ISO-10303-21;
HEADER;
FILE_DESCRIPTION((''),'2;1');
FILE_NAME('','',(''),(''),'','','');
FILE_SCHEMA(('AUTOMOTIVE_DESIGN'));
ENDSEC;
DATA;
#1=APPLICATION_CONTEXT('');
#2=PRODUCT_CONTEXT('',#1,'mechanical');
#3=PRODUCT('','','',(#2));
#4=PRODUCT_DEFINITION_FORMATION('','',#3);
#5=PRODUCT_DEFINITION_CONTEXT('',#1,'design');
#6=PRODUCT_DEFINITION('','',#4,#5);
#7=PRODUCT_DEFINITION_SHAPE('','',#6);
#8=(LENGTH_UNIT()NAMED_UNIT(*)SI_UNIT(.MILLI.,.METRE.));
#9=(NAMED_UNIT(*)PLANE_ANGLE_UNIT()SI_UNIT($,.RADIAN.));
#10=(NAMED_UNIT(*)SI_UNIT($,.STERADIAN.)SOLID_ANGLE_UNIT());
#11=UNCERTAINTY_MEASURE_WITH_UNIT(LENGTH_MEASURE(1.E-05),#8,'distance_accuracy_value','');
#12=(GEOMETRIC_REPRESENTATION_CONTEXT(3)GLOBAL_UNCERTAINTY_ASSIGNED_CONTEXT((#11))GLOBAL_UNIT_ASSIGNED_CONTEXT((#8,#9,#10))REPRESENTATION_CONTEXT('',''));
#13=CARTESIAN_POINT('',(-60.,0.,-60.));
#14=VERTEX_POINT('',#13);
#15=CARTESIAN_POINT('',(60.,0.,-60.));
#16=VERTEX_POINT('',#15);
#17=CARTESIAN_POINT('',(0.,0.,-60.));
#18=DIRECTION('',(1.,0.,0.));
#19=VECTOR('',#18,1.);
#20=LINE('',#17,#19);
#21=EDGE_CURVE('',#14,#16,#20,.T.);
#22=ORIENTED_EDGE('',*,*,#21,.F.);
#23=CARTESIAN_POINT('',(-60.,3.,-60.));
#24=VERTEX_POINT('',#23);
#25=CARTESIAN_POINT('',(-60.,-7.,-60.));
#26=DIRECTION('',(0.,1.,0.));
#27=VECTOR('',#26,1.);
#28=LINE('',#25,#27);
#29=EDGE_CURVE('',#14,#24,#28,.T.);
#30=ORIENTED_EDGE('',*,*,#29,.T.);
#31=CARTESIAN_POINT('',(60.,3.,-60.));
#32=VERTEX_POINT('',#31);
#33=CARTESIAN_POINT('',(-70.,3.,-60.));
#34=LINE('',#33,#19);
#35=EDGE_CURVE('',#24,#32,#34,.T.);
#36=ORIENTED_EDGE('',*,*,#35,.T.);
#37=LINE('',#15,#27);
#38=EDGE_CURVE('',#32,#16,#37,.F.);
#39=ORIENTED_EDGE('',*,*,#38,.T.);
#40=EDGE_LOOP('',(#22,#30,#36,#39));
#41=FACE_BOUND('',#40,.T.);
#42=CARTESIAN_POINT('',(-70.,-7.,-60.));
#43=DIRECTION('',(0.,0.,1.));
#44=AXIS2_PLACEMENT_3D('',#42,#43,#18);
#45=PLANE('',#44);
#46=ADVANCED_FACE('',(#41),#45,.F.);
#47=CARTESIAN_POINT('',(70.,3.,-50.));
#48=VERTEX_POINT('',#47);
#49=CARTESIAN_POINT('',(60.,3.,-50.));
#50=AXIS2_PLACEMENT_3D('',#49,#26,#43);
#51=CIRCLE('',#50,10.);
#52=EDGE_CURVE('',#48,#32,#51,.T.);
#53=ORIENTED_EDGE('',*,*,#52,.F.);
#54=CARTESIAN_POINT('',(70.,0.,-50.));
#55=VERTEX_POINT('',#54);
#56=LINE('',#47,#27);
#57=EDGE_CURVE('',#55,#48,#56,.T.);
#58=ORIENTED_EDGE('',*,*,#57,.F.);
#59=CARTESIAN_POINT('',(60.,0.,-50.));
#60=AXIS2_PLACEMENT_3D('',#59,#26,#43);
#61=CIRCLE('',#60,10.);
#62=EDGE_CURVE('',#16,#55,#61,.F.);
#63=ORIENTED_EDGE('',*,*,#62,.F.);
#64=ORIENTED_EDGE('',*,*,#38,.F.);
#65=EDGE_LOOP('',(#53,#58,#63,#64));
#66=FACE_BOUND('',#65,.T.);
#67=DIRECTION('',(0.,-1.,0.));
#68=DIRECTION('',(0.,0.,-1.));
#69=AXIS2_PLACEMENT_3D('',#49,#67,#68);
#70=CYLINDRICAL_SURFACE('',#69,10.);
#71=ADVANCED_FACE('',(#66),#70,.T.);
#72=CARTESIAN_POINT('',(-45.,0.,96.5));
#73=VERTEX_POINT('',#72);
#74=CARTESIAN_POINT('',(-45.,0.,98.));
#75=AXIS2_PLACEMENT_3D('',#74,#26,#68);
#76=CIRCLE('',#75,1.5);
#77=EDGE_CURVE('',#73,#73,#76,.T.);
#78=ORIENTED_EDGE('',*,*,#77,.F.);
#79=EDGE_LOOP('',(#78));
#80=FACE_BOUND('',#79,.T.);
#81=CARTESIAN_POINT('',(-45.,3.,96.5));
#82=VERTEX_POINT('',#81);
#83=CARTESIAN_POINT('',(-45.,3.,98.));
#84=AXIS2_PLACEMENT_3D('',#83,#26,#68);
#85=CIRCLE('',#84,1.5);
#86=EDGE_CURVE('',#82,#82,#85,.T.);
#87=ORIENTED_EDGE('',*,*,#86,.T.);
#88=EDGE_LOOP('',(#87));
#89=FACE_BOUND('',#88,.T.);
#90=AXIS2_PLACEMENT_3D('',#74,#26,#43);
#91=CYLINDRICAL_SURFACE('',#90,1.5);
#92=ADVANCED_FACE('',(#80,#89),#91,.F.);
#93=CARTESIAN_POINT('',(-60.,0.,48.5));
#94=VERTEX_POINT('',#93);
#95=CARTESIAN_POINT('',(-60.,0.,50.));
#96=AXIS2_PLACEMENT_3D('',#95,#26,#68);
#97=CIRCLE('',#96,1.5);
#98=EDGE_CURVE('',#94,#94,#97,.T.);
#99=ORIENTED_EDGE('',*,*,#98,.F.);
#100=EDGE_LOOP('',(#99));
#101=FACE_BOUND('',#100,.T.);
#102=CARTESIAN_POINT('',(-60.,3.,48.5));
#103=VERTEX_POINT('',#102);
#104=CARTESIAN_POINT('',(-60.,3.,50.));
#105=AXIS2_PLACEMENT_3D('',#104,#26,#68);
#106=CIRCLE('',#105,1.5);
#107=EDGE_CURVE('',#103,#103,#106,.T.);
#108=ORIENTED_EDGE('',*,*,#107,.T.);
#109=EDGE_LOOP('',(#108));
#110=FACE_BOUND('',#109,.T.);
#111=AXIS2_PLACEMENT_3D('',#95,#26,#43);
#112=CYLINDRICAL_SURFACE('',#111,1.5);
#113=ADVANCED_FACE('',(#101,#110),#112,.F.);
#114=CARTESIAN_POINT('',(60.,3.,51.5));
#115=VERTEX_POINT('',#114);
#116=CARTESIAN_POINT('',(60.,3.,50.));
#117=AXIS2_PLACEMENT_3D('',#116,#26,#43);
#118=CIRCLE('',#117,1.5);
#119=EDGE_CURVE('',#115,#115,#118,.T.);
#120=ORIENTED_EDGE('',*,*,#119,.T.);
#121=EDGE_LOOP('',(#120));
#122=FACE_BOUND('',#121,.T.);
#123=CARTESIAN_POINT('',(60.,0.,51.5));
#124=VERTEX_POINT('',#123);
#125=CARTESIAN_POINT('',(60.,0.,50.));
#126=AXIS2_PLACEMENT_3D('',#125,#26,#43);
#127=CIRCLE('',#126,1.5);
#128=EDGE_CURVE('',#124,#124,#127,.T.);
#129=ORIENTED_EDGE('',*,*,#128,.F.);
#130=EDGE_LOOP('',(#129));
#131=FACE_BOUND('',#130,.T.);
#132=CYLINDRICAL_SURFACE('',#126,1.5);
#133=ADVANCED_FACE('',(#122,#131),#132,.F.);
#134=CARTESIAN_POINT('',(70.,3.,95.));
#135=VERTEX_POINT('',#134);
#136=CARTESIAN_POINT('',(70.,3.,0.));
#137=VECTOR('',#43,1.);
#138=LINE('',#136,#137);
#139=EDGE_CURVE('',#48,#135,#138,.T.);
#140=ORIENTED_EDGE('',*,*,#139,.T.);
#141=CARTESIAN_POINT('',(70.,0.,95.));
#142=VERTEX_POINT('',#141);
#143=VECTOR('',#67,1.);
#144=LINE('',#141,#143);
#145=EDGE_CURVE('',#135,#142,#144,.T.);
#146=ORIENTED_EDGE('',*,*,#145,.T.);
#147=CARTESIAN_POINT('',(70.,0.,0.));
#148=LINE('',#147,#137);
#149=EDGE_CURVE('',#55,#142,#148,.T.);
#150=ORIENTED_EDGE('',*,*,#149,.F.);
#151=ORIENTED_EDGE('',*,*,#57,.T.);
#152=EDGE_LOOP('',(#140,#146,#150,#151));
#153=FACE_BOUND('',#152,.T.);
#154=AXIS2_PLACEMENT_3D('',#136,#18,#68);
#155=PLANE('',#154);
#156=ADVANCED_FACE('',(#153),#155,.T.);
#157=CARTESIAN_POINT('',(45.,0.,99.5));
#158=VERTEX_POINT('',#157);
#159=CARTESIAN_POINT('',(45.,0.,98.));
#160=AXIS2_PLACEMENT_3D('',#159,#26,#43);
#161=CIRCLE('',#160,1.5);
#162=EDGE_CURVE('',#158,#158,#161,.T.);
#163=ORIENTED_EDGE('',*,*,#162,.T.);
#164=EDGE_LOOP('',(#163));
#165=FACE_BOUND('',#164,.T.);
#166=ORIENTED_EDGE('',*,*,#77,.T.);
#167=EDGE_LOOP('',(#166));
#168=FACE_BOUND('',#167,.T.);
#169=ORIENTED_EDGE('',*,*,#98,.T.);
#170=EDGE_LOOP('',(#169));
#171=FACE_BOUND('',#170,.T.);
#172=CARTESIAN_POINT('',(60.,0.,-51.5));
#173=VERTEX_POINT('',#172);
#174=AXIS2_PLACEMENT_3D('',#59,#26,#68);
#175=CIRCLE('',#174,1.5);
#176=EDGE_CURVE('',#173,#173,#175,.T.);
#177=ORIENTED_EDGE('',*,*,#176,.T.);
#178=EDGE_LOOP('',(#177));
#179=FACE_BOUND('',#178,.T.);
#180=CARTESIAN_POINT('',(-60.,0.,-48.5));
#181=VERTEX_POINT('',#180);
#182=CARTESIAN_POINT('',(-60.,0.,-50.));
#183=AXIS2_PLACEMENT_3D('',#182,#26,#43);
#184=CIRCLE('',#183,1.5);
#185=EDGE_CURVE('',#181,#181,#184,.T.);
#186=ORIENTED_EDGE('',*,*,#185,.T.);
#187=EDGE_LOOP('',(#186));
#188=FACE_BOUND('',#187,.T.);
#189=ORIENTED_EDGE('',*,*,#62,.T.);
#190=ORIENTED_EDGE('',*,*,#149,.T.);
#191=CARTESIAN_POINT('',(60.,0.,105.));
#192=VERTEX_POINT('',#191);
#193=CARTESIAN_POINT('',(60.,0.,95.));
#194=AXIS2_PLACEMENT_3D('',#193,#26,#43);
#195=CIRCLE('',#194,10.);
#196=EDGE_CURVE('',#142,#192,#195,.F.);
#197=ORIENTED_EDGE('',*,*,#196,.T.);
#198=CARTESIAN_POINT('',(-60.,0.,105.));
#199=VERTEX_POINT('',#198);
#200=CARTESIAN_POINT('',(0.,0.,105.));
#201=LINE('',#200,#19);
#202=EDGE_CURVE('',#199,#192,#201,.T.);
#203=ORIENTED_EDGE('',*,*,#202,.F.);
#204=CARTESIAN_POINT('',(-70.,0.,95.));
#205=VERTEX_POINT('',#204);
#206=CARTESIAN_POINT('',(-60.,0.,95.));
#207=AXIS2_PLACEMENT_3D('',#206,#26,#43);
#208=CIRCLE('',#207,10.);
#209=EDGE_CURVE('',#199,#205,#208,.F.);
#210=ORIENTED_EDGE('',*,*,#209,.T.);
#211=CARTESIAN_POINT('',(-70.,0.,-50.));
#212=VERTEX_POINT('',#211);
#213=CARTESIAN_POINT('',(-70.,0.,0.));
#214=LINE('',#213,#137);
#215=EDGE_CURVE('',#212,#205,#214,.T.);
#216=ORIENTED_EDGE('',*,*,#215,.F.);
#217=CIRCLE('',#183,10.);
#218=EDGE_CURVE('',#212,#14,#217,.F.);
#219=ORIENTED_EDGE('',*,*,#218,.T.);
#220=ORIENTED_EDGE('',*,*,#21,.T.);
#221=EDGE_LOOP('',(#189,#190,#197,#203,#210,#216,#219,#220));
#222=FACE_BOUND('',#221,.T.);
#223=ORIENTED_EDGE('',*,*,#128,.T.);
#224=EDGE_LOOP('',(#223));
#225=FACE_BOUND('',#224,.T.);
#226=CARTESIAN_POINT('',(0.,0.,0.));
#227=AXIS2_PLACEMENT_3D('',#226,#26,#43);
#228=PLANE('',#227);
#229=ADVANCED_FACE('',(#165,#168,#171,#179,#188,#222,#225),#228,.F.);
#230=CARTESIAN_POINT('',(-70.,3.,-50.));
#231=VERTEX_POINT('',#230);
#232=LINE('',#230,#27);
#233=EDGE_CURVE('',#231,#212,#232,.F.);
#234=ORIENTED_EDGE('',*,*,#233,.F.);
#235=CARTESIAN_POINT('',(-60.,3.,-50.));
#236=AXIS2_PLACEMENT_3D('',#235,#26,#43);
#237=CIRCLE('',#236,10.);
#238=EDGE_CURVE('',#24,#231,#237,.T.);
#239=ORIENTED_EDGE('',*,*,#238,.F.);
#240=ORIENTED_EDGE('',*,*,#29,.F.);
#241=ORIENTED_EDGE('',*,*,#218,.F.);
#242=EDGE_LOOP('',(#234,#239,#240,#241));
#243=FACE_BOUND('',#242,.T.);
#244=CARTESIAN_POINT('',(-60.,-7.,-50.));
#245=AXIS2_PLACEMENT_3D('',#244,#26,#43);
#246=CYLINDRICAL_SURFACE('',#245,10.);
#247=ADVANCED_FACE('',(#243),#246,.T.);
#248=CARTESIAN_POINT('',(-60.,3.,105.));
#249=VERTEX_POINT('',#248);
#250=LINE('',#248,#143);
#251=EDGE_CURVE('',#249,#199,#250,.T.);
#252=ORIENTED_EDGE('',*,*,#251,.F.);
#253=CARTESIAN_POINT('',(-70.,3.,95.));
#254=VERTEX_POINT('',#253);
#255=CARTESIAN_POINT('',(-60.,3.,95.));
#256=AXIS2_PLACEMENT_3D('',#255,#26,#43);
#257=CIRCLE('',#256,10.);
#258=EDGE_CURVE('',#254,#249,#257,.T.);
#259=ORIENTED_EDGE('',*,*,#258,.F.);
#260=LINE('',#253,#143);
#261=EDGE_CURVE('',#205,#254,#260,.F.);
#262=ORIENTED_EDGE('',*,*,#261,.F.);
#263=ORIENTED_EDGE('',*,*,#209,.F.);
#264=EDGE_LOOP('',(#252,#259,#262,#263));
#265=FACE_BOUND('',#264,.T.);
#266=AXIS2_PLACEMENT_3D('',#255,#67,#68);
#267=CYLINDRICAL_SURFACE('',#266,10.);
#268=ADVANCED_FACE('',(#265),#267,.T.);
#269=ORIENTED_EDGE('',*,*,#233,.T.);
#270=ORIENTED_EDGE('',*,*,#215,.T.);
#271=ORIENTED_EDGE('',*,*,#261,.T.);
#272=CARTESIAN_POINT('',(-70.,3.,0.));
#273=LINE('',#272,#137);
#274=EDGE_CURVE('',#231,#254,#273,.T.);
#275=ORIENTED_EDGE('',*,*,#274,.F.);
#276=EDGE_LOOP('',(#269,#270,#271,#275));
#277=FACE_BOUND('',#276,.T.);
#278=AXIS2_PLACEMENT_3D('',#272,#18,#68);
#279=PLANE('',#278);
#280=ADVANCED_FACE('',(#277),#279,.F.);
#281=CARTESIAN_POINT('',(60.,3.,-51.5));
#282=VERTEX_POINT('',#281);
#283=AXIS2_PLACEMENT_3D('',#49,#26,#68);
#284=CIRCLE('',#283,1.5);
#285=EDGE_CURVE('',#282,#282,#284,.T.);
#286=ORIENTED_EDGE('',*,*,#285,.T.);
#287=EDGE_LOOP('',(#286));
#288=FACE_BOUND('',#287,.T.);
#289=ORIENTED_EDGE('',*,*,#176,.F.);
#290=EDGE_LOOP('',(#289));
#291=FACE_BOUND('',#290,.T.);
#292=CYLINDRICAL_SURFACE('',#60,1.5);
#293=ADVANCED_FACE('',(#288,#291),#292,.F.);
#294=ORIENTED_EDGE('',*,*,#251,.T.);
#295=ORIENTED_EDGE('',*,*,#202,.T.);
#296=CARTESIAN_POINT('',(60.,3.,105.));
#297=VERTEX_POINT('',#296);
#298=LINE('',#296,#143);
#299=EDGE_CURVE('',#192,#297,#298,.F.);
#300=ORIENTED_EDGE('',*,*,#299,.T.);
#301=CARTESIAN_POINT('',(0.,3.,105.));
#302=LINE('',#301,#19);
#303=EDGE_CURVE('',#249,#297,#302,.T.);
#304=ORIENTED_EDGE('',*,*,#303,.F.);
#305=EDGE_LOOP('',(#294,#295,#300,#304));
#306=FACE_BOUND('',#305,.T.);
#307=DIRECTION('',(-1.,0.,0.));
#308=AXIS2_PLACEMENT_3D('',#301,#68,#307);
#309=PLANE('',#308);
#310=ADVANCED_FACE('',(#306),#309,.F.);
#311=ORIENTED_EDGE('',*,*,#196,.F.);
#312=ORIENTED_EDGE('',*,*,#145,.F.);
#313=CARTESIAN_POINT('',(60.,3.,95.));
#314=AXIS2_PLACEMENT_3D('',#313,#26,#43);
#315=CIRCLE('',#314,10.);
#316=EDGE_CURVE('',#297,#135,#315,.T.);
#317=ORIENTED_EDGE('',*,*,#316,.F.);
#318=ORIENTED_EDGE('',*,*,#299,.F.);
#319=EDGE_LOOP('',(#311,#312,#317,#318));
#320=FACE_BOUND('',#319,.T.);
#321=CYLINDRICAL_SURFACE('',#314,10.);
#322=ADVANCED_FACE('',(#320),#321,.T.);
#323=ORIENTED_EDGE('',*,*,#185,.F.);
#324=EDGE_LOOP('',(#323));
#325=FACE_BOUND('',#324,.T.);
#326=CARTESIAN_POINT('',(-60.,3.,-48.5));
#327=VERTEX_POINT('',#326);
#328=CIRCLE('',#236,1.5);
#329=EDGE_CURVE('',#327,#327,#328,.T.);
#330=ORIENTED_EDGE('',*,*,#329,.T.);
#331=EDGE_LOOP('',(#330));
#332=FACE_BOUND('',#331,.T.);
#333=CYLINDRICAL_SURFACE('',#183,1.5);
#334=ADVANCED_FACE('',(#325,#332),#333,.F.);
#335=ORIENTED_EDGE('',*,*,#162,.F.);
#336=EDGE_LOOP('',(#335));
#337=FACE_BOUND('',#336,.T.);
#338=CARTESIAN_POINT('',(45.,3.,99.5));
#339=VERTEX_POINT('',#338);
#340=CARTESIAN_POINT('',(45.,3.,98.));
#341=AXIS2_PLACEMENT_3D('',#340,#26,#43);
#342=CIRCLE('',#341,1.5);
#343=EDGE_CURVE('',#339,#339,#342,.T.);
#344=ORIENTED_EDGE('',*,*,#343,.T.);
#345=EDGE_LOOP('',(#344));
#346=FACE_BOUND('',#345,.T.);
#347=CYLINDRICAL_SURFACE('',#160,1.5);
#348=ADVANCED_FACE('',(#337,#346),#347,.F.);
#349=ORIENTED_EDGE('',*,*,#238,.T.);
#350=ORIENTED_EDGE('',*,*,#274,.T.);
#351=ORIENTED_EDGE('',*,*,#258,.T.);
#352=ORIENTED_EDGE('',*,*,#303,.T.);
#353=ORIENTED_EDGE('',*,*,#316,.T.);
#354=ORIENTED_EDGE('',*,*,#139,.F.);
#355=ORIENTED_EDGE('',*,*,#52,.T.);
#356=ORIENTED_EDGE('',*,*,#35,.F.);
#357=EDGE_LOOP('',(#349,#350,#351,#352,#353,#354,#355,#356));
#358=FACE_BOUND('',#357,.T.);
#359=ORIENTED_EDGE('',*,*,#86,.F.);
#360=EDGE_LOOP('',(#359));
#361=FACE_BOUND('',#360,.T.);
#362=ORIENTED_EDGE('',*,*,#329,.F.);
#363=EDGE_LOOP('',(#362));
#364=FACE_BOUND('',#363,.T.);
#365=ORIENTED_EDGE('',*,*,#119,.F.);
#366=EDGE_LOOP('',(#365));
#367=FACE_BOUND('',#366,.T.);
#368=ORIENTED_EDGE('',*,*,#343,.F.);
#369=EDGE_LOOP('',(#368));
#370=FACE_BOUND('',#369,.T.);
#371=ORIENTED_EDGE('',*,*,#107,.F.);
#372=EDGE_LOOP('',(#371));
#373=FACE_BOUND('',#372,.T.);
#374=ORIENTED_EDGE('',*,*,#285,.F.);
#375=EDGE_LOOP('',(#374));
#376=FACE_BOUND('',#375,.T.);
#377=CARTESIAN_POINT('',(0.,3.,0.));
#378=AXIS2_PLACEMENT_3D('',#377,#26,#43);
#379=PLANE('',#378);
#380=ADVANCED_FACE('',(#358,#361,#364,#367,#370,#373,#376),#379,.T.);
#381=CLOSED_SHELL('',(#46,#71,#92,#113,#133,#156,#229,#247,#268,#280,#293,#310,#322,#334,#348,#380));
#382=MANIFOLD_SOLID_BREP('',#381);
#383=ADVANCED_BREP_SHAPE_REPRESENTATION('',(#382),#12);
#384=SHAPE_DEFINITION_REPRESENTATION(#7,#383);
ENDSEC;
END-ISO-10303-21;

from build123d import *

# Parameters (mm, degrees)
EXTRUDE_1_DEPTH     = 3
SKETCH_2_R          = 1.5
CUT_EXTRUDE_1_DEPTH = 3
FILLET_1_R          = 10
SKETCH_3_W          = 140
SKETCH_3_H          = 45
CUT_EXTRUDE_2_DEPTH = 10
FILLET_2_R          = 10


with BuildPart() as part:
    # 草图1 → 凸台-拉伸1 (new body)
    with BuildSketch(Plane(origin=(0, 0, 0), x_dir=(1, 0, 0), z_dir=(0, 1, 0))):
        Polygon((70, 105), (-70, 105), (-70, 50), (-70, -50), (-70, -105), (70, -105), (70, -50), (70, 50), align=None)
    extrude(amount=EXTRUDE_1_DEPTH)

    # 草图2 → 切除-拉伸1 (cut)
    with BuildSketch(Plane(origin=(0, 3, 0), x_dir=(1, 0, 0), z_dir=(0, 1, 0))):
        with Locations(Location((-60, 50, 0), (0, 0, 270))):
            Circle(SKETCH_2_R)
        with Locations(Location((60, 50, 0), (0, 0, 90))):
            Circle(SKETCH_2_R)
        with Locations(Location((60, -50, 0), (0, 0, 270))):
            Circle(SKETCH_2_R)
        with Locations(Location((-60, -50, 0), (0, 0, 90))):
            Circle(SKETCH_2_R)
        with Locations(Location((-45, 98, 0), (0, 0, 270))):
            Circle(SKETCH_2_R)
        with Locations(Location((45, 98, 0), (0, 0, 90))):
            Circle(SKETCH_2_R)
        with Locations(Location((45, -98, 0), (0, 0, 270))):
            Circle(SKETCH_2_R)
        with Locations(Location((-45, -98, 0), (0, 0, 90))):
            Circle(SKETCH_2_R)
    extrude(amount=-CUT_EXTRUDE_1_DEPTH, mode=Mode.SUBTRACT)

    # 圆角1
    fillet_1_edges = [part.edges().sort_by_distance(p)[0] for p in [
        (-70, 1.5, 105),
        (70, 1.5, 105),
    ]]
    fillet(fillet_1_edges, radius=FILLET_1_R)

    # 草图3 → 切除-拉伸2 (cut)
    with BuildSketch(Plane(origin=(0, 3, 0), x_dir=(1, 0, 0), z_dir=(0, 1, 0))):
        with Locations((0, 82.5)):
            Rectangle(SKETCH_3_W, SKETCH_3_H)
    extrude(amount=-CUT_EXTRUDE_2_DEPTH, mode=Mode.SUBTRACT)

    # 圆角2
    fillet_2_edges = [part.edges().sort_by_distance(p)[0] for p in [
        (70, 1.5, -60),
        (-70, 1.5, -60),
    ]]
    fillet(fillet_2_edges, radius=FILLET_2_R)


solid = part.part
